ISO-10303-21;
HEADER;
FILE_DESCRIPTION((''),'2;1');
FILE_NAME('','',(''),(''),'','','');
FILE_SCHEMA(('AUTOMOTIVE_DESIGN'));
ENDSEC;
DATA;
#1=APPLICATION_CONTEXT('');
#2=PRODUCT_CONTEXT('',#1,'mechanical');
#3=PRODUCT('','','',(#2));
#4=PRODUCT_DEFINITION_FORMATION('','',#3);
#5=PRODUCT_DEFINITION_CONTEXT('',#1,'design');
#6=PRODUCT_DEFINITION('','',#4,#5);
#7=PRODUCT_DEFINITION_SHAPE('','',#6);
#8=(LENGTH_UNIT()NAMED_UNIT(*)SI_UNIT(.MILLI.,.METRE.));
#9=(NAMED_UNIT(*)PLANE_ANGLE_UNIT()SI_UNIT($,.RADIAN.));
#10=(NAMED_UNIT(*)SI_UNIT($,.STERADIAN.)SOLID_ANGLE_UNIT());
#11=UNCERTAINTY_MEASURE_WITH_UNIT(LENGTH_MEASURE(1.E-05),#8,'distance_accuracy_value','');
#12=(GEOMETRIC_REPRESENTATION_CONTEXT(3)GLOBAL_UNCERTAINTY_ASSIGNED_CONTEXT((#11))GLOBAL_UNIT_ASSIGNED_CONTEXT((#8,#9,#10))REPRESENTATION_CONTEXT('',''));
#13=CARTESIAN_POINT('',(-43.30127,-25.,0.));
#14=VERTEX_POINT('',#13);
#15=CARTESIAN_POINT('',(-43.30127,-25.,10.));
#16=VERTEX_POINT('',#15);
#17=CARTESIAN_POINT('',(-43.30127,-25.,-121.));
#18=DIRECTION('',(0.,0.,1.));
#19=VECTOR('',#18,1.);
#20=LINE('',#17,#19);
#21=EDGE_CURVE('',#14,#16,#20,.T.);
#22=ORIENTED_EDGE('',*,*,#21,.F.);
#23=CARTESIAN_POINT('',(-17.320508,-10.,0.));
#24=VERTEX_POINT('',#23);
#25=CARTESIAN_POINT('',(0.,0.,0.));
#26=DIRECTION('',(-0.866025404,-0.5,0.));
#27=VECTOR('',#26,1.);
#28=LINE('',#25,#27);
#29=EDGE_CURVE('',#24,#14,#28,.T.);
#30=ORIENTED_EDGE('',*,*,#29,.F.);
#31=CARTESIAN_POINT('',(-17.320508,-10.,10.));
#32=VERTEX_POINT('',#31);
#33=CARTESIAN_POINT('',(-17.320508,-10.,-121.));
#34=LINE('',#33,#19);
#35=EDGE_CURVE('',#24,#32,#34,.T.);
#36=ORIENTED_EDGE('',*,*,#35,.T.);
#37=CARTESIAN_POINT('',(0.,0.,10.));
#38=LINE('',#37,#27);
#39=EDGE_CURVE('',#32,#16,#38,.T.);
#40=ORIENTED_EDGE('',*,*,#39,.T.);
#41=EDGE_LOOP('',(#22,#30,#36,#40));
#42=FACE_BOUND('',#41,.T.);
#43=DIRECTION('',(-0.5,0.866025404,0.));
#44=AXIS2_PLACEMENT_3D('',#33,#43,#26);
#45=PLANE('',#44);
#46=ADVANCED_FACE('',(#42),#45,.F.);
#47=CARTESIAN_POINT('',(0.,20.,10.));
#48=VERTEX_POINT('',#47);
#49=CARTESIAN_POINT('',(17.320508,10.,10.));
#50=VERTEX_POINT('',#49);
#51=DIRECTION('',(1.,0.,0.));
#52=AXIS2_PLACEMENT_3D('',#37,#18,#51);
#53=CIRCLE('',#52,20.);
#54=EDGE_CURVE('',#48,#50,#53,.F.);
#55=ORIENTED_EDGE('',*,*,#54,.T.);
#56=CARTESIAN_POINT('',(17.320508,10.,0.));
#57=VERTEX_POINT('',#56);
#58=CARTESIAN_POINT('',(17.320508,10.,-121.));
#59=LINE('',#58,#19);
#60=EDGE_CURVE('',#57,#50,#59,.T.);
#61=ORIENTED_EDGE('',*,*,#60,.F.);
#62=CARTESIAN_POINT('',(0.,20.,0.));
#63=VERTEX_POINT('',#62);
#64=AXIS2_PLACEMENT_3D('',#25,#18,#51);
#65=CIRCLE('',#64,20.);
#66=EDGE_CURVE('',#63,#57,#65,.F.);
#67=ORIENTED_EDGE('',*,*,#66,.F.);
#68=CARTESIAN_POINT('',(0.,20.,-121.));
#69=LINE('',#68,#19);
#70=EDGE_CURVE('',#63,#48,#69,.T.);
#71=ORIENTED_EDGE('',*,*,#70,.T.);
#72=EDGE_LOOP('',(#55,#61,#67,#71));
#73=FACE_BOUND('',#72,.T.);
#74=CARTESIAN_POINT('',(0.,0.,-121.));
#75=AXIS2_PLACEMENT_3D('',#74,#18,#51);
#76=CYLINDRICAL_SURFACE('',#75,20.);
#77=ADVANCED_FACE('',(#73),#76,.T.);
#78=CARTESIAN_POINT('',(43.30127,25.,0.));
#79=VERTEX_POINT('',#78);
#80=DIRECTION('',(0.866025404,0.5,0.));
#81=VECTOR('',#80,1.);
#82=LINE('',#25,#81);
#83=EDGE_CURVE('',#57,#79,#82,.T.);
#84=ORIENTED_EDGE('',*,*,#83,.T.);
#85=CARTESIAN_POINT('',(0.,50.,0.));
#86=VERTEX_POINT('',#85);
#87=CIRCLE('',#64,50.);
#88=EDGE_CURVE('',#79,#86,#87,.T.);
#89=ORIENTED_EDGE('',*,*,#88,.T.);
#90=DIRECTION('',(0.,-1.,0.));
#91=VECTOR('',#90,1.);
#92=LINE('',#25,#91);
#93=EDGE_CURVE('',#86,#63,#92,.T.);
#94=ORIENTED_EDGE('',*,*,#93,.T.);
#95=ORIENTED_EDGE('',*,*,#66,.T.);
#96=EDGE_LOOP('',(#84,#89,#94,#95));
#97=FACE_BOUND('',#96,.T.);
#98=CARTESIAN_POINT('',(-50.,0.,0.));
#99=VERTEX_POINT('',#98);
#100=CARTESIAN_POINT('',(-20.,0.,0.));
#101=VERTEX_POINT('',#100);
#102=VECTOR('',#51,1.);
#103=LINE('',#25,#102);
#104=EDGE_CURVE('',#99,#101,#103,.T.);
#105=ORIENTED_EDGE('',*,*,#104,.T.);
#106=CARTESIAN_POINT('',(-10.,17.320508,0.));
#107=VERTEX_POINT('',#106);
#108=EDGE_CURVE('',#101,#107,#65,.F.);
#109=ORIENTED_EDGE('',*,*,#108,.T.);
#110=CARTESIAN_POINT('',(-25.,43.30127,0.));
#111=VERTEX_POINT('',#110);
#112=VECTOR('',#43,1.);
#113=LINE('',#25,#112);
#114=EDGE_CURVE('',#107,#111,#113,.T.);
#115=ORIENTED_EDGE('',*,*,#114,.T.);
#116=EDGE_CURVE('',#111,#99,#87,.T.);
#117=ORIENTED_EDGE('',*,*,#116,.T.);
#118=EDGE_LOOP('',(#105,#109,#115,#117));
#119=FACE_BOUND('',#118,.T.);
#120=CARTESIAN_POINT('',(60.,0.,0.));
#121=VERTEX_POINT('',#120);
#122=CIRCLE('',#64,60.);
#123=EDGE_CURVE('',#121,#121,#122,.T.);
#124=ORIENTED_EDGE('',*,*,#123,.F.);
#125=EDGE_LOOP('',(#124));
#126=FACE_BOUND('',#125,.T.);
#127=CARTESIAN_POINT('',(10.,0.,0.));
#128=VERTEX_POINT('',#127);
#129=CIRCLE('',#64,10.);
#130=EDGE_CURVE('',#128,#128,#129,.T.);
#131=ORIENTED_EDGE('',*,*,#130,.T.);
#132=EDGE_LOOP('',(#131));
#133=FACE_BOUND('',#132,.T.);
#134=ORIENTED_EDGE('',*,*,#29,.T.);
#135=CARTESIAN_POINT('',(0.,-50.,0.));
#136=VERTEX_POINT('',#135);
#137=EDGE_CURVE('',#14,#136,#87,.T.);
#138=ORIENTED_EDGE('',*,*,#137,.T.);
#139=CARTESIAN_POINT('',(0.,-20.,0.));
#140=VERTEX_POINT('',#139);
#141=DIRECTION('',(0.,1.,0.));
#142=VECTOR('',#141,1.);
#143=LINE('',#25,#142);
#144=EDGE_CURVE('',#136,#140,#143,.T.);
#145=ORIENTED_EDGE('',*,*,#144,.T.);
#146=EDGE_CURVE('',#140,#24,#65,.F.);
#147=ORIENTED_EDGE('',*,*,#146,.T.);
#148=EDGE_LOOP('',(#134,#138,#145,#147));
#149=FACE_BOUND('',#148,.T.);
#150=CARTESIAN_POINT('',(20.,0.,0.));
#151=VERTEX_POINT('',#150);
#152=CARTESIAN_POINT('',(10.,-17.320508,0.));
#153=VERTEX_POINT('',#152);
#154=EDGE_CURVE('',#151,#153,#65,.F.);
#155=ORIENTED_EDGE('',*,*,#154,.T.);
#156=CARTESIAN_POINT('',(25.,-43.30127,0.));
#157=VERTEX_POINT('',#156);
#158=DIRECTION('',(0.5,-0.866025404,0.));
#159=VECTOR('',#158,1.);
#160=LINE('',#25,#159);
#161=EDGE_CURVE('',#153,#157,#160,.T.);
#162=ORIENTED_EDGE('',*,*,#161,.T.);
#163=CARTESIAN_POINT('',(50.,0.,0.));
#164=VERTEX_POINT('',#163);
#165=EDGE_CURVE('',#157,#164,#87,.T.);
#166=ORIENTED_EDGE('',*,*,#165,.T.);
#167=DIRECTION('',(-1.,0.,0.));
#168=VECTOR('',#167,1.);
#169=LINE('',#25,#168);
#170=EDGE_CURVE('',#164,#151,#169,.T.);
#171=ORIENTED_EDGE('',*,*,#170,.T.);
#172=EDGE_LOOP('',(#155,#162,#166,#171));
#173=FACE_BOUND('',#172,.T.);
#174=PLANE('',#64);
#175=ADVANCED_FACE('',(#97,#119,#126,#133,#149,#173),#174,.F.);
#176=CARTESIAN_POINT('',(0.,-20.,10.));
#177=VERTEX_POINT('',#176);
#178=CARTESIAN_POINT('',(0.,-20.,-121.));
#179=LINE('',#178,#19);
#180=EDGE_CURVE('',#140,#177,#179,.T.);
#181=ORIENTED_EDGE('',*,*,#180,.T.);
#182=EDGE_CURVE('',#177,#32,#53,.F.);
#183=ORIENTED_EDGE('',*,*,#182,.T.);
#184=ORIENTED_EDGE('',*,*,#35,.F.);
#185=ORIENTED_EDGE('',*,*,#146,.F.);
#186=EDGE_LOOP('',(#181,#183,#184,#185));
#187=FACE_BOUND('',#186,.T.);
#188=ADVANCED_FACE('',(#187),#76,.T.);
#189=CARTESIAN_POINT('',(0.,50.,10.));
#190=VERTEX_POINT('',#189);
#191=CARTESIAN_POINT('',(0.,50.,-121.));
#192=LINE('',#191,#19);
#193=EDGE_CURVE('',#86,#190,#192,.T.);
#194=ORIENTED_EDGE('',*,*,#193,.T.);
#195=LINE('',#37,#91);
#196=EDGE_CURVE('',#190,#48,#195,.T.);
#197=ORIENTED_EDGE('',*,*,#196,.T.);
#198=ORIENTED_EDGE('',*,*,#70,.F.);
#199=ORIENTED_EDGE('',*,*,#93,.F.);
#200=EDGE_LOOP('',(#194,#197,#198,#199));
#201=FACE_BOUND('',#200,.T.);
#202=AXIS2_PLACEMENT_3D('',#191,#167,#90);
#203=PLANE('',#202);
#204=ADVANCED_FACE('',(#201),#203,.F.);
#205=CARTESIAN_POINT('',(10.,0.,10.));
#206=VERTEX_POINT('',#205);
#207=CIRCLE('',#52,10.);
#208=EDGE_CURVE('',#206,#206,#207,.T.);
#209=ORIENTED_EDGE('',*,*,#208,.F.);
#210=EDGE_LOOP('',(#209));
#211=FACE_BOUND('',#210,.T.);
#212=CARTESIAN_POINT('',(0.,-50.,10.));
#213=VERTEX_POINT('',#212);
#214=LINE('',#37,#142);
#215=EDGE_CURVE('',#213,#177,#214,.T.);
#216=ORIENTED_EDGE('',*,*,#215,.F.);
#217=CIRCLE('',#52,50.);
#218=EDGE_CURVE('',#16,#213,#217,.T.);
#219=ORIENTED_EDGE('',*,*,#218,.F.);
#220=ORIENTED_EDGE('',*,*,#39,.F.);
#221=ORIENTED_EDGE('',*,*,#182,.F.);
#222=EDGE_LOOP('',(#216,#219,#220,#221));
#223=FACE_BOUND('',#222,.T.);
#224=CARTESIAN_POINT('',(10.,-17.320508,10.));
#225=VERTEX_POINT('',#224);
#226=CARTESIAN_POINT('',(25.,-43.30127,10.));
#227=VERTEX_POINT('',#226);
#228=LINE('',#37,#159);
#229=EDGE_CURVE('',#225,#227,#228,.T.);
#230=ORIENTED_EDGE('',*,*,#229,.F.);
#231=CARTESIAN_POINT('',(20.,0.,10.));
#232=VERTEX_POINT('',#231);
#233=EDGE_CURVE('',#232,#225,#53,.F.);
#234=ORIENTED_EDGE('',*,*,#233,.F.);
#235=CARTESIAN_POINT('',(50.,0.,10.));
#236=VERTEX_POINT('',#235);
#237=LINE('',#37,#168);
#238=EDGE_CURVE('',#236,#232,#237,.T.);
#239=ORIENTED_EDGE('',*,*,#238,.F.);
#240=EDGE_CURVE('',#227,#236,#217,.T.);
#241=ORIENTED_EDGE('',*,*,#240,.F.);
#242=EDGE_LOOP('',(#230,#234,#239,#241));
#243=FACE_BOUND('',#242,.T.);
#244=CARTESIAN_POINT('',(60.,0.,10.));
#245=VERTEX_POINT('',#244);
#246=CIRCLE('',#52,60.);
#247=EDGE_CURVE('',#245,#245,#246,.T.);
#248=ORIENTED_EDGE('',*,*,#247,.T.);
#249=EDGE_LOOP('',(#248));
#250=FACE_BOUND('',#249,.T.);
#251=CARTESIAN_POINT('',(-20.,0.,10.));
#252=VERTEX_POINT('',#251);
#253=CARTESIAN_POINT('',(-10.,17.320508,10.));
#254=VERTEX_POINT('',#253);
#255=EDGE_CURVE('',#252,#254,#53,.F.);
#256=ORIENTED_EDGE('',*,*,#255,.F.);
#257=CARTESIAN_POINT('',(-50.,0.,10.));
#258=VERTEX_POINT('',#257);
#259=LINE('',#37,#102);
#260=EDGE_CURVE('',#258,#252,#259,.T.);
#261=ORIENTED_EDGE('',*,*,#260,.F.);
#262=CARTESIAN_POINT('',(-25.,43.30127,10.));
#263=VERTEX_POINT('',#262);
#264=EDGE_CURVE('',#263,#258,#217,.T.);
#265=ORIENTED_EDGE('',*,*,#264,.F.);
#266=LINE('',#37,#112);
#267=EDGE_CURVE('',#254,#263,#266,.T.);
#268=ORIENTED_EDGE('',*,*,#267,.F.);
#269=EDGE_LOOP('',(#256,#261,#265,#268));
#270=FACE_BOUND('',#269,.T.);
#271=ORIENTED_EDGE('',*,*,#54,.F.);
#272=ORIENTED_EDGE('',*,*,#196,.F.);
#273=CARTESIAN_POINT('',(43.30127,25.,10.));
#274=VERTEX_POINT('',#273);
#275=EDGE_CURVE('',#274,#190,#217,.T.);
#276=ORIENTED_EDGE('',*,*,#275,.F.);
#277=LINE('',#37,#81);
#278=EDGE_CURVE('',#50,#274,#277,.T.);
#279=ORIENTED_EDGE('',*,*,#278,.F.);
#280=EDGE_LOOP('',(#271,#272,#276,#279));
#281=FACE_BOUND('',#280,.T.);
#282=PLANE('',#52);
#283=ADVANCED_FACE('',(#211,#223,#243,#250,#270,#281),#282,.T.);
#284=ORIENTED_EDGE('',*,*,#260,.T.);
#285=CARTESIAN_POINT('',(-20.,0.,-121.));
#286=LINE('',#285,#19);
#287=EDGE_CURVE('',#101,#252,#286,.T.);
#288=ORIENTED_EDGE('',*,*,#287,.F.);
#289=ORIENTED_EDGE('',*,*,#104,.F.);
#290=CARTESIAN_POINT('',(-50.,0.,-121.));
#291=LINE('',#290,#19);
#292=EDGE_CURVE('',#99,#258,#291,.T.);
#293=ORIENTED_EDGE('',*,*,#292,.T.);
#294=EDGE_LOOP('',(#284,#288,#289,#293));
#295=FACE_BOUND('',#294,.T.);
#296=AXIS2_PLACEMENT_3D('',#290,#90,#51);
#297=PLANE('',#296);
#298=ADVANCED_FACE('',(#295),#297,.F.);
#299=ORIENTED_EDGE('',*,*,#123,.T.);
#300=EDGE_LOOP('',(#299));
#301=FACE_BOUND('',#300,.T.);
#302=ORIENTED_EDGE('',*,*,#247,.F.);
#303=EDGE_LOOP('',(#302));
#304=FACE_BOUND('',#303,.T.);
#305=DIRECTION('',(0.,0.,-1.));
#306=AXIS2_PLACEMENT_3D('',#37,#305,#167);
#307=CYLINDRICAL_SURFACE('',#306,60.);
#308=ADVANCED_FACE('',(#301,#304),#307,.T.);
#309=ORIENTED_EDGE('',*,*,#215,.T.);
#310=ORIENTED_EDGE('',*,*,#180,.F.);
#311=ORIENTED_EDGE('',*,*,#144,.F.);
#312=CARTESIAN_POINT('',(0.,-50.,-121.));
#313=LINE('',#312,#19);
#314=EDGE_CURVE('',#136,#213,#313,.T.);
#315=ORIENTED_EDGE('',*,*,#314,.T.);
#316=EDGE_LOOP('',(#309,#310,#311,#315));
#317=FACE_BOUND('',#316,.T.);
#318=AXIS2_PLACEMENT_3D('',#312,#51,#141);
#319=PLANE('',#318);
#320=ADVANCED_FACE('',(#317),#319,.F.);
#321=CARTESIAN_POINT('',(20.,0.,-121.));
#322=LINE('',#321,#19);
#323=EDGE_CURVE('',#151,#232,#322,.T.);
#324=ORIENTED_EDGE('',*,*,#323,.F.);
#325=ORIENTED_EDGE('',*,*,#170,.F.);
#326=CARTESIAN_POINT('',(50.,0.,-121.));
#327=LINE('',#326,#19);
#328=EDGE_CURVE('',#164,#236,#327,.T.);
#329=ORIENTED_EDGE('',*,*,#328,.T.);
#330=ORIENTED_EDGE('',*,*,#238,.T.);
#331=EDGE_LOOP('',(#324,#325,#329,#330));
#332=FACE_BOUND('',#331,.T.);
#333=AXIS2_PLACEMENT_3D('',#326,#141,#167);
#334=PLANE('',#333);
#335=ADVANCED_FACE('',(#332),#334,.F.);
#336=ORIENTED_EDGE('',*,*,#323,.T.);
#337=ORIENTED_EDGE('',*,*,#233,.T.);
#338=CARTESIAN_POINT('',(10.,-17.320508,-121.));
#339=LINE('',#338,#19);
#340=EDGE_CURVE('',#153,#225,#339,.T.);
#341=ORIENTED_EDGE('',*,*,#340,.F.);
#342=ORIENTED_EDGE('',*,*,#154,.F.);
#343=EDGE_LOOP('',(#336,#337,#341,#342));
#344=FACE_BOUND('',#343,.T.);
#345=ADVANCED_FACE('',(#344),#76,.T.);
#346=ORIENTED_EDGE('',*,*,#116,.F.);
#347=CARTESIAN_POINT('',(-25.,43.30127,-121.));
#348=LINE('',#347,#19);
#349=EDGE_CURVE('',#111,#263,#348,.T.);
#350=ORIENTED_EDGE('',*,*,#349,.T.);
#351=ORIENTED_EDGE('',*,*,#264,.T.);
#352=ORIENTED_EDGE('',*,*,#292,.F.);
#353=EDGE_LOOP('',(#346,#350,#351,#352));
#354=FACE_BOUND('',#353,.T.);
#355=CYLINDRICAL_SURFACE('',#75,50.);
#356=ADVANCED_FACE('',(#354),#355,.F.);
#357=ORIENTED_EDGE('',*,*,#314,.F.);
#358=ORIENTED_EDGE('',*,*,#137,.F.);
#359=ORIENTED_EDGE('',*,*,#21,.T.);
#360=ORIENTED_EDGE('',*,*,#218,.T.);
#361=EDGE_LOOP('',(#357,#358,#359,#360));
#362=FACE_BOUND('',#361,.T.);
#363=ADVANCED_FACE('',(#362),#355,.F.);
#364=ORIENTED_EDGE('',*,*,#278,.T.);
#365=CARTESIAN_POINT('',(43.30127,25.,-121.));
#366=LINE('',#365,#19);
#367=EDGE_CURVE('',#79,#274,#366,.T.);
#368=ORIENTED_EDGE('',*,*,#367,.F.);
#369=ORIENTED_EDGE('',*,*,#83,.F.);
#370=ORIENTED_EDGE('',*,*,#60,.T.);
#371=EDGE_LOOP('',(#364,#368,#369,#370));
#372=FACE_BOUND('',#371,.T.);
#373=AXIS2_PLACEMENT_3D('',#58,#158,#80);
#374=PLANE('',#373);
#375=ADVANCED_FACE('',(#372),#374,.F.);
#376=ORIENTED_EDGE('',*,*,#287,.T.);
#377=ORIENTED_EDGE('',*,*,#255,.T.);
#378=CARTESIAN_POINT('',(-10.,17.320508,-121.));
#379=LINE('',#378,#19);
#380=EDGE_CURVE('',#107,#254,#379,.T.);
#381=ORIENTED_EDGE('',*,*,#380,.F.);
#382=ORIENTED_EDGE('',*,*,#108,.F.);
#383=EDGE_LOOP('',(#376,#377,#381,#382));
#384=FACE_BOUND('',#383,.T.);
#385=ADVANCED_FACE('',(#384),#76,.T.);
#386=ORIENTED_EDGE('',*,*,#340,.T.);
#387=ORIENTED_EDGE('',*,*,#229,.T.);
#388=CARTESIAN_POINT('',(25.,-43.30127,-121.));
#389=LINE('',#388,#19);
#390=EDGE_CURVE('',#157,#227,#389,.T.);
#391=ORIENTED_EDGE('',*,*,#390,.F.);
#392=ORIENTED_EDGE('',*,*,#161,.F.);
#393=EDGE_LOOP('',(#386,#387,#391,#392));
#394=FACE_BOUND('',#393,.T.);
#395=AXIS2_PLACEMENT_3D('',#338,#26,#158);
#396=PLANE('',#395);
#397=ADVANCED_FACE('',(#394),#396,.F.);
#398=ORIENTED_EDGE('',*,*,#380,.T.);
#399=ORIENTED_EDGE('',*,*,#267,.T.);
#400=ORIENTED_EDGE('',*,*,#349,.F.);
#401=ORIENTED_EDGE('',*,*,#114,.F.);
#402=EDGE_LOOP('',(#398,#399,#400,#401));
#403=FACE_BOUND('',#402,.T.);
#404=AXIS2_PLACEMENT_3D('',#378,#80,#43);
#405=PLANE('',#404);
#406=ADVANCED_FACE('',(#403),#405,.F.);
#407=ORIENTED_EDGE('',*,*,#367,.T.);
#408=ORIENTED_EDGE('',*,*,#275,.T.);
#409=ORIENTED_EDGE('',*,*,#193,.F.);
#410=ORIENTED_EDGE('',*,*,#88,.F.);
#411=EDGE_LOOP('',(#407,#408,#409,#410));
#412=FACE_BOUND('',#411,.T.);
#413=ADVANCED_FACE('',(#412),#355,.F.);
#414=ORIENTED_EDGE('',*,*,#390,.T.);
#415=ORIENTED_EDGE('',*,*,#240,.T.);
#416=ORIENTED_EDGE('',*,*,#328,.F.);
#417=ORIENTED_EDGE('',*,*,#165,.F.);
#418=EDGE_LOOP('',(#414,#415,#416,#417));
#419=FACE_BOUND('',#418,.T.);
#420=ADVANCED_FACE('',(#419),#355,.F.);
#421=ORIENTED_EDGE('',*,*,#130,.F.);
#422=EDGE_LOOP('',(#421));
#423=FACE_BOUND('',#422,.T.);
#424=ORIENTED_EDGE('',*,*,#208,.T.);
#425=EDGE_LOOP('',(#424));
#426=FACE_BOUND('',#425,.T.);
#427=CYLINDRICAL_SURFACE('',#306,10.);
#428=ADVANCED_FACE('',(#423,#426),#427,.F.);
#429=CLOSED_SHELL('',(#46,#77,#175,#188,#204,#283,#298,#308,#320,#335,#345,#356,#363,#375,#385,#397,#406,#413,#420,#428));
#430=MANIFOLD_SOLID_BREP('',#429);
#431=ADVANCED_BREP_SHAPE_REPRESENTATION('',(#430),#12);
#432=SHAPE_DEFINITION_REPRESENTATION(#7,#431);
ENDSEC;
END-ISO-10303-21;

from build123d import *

# Parameters (mm, degrees)
SKETCH_1_R               = 60
SKETCH_1_R_2             = 10
EXTRUDE_1_DEPTH          = 10
CUT_EXTRUDE_1_DEPTH      = 121
PATTERN_CIRCULAR_1_COUNT = 4


with BuildPart() as part:
    # 草图1 → 凸台-拉伸1 (new body)
    with BuildSketch(Plane.XY):
        Circle(SKETCH_1_R)
        Circle(SKETCH_1_R_2, mode=Mode.SUBTRACT)
    extrude(amount=EXTRUDE_1_DEPTH)

    # 草图2 → 切除-拉伸1 (cut, symmetric)
    with BuildSketch(Plane.XY):
        with BuildLine():
            Line((0, 50), (0, 20))
            ThreePointArc((0, 20), (10, 17.320508076), (17.320508076, 10))
            Line((17.320508076, 10), (43.301270189, 25))
            ThreePointArc((43.301270189, 25), (25, 43.301270189), (0, 50))
        make_face()
    cut_extrude_1 = extrude(amount=CUT_EXTRUDE_1_DEPTH, both=True, mode=Mode.SUBTRACT)

    # 阵列(圆周)1: 切除-拉伸1 ×4 about axis
    pattern_circular_1_axis = Axis((0, 0, 10.5), (0, 0, -1))
    for i in range(1, PATTERN_CIRCULAR_1_COUNT):
        add(cut_extrude_1.rotate(pattern_circular_1_axis, i * 360 / PATTERN_CIRCULAR_1_COUNT), mode=Mode.SUBTRACT)


solid = part.part
